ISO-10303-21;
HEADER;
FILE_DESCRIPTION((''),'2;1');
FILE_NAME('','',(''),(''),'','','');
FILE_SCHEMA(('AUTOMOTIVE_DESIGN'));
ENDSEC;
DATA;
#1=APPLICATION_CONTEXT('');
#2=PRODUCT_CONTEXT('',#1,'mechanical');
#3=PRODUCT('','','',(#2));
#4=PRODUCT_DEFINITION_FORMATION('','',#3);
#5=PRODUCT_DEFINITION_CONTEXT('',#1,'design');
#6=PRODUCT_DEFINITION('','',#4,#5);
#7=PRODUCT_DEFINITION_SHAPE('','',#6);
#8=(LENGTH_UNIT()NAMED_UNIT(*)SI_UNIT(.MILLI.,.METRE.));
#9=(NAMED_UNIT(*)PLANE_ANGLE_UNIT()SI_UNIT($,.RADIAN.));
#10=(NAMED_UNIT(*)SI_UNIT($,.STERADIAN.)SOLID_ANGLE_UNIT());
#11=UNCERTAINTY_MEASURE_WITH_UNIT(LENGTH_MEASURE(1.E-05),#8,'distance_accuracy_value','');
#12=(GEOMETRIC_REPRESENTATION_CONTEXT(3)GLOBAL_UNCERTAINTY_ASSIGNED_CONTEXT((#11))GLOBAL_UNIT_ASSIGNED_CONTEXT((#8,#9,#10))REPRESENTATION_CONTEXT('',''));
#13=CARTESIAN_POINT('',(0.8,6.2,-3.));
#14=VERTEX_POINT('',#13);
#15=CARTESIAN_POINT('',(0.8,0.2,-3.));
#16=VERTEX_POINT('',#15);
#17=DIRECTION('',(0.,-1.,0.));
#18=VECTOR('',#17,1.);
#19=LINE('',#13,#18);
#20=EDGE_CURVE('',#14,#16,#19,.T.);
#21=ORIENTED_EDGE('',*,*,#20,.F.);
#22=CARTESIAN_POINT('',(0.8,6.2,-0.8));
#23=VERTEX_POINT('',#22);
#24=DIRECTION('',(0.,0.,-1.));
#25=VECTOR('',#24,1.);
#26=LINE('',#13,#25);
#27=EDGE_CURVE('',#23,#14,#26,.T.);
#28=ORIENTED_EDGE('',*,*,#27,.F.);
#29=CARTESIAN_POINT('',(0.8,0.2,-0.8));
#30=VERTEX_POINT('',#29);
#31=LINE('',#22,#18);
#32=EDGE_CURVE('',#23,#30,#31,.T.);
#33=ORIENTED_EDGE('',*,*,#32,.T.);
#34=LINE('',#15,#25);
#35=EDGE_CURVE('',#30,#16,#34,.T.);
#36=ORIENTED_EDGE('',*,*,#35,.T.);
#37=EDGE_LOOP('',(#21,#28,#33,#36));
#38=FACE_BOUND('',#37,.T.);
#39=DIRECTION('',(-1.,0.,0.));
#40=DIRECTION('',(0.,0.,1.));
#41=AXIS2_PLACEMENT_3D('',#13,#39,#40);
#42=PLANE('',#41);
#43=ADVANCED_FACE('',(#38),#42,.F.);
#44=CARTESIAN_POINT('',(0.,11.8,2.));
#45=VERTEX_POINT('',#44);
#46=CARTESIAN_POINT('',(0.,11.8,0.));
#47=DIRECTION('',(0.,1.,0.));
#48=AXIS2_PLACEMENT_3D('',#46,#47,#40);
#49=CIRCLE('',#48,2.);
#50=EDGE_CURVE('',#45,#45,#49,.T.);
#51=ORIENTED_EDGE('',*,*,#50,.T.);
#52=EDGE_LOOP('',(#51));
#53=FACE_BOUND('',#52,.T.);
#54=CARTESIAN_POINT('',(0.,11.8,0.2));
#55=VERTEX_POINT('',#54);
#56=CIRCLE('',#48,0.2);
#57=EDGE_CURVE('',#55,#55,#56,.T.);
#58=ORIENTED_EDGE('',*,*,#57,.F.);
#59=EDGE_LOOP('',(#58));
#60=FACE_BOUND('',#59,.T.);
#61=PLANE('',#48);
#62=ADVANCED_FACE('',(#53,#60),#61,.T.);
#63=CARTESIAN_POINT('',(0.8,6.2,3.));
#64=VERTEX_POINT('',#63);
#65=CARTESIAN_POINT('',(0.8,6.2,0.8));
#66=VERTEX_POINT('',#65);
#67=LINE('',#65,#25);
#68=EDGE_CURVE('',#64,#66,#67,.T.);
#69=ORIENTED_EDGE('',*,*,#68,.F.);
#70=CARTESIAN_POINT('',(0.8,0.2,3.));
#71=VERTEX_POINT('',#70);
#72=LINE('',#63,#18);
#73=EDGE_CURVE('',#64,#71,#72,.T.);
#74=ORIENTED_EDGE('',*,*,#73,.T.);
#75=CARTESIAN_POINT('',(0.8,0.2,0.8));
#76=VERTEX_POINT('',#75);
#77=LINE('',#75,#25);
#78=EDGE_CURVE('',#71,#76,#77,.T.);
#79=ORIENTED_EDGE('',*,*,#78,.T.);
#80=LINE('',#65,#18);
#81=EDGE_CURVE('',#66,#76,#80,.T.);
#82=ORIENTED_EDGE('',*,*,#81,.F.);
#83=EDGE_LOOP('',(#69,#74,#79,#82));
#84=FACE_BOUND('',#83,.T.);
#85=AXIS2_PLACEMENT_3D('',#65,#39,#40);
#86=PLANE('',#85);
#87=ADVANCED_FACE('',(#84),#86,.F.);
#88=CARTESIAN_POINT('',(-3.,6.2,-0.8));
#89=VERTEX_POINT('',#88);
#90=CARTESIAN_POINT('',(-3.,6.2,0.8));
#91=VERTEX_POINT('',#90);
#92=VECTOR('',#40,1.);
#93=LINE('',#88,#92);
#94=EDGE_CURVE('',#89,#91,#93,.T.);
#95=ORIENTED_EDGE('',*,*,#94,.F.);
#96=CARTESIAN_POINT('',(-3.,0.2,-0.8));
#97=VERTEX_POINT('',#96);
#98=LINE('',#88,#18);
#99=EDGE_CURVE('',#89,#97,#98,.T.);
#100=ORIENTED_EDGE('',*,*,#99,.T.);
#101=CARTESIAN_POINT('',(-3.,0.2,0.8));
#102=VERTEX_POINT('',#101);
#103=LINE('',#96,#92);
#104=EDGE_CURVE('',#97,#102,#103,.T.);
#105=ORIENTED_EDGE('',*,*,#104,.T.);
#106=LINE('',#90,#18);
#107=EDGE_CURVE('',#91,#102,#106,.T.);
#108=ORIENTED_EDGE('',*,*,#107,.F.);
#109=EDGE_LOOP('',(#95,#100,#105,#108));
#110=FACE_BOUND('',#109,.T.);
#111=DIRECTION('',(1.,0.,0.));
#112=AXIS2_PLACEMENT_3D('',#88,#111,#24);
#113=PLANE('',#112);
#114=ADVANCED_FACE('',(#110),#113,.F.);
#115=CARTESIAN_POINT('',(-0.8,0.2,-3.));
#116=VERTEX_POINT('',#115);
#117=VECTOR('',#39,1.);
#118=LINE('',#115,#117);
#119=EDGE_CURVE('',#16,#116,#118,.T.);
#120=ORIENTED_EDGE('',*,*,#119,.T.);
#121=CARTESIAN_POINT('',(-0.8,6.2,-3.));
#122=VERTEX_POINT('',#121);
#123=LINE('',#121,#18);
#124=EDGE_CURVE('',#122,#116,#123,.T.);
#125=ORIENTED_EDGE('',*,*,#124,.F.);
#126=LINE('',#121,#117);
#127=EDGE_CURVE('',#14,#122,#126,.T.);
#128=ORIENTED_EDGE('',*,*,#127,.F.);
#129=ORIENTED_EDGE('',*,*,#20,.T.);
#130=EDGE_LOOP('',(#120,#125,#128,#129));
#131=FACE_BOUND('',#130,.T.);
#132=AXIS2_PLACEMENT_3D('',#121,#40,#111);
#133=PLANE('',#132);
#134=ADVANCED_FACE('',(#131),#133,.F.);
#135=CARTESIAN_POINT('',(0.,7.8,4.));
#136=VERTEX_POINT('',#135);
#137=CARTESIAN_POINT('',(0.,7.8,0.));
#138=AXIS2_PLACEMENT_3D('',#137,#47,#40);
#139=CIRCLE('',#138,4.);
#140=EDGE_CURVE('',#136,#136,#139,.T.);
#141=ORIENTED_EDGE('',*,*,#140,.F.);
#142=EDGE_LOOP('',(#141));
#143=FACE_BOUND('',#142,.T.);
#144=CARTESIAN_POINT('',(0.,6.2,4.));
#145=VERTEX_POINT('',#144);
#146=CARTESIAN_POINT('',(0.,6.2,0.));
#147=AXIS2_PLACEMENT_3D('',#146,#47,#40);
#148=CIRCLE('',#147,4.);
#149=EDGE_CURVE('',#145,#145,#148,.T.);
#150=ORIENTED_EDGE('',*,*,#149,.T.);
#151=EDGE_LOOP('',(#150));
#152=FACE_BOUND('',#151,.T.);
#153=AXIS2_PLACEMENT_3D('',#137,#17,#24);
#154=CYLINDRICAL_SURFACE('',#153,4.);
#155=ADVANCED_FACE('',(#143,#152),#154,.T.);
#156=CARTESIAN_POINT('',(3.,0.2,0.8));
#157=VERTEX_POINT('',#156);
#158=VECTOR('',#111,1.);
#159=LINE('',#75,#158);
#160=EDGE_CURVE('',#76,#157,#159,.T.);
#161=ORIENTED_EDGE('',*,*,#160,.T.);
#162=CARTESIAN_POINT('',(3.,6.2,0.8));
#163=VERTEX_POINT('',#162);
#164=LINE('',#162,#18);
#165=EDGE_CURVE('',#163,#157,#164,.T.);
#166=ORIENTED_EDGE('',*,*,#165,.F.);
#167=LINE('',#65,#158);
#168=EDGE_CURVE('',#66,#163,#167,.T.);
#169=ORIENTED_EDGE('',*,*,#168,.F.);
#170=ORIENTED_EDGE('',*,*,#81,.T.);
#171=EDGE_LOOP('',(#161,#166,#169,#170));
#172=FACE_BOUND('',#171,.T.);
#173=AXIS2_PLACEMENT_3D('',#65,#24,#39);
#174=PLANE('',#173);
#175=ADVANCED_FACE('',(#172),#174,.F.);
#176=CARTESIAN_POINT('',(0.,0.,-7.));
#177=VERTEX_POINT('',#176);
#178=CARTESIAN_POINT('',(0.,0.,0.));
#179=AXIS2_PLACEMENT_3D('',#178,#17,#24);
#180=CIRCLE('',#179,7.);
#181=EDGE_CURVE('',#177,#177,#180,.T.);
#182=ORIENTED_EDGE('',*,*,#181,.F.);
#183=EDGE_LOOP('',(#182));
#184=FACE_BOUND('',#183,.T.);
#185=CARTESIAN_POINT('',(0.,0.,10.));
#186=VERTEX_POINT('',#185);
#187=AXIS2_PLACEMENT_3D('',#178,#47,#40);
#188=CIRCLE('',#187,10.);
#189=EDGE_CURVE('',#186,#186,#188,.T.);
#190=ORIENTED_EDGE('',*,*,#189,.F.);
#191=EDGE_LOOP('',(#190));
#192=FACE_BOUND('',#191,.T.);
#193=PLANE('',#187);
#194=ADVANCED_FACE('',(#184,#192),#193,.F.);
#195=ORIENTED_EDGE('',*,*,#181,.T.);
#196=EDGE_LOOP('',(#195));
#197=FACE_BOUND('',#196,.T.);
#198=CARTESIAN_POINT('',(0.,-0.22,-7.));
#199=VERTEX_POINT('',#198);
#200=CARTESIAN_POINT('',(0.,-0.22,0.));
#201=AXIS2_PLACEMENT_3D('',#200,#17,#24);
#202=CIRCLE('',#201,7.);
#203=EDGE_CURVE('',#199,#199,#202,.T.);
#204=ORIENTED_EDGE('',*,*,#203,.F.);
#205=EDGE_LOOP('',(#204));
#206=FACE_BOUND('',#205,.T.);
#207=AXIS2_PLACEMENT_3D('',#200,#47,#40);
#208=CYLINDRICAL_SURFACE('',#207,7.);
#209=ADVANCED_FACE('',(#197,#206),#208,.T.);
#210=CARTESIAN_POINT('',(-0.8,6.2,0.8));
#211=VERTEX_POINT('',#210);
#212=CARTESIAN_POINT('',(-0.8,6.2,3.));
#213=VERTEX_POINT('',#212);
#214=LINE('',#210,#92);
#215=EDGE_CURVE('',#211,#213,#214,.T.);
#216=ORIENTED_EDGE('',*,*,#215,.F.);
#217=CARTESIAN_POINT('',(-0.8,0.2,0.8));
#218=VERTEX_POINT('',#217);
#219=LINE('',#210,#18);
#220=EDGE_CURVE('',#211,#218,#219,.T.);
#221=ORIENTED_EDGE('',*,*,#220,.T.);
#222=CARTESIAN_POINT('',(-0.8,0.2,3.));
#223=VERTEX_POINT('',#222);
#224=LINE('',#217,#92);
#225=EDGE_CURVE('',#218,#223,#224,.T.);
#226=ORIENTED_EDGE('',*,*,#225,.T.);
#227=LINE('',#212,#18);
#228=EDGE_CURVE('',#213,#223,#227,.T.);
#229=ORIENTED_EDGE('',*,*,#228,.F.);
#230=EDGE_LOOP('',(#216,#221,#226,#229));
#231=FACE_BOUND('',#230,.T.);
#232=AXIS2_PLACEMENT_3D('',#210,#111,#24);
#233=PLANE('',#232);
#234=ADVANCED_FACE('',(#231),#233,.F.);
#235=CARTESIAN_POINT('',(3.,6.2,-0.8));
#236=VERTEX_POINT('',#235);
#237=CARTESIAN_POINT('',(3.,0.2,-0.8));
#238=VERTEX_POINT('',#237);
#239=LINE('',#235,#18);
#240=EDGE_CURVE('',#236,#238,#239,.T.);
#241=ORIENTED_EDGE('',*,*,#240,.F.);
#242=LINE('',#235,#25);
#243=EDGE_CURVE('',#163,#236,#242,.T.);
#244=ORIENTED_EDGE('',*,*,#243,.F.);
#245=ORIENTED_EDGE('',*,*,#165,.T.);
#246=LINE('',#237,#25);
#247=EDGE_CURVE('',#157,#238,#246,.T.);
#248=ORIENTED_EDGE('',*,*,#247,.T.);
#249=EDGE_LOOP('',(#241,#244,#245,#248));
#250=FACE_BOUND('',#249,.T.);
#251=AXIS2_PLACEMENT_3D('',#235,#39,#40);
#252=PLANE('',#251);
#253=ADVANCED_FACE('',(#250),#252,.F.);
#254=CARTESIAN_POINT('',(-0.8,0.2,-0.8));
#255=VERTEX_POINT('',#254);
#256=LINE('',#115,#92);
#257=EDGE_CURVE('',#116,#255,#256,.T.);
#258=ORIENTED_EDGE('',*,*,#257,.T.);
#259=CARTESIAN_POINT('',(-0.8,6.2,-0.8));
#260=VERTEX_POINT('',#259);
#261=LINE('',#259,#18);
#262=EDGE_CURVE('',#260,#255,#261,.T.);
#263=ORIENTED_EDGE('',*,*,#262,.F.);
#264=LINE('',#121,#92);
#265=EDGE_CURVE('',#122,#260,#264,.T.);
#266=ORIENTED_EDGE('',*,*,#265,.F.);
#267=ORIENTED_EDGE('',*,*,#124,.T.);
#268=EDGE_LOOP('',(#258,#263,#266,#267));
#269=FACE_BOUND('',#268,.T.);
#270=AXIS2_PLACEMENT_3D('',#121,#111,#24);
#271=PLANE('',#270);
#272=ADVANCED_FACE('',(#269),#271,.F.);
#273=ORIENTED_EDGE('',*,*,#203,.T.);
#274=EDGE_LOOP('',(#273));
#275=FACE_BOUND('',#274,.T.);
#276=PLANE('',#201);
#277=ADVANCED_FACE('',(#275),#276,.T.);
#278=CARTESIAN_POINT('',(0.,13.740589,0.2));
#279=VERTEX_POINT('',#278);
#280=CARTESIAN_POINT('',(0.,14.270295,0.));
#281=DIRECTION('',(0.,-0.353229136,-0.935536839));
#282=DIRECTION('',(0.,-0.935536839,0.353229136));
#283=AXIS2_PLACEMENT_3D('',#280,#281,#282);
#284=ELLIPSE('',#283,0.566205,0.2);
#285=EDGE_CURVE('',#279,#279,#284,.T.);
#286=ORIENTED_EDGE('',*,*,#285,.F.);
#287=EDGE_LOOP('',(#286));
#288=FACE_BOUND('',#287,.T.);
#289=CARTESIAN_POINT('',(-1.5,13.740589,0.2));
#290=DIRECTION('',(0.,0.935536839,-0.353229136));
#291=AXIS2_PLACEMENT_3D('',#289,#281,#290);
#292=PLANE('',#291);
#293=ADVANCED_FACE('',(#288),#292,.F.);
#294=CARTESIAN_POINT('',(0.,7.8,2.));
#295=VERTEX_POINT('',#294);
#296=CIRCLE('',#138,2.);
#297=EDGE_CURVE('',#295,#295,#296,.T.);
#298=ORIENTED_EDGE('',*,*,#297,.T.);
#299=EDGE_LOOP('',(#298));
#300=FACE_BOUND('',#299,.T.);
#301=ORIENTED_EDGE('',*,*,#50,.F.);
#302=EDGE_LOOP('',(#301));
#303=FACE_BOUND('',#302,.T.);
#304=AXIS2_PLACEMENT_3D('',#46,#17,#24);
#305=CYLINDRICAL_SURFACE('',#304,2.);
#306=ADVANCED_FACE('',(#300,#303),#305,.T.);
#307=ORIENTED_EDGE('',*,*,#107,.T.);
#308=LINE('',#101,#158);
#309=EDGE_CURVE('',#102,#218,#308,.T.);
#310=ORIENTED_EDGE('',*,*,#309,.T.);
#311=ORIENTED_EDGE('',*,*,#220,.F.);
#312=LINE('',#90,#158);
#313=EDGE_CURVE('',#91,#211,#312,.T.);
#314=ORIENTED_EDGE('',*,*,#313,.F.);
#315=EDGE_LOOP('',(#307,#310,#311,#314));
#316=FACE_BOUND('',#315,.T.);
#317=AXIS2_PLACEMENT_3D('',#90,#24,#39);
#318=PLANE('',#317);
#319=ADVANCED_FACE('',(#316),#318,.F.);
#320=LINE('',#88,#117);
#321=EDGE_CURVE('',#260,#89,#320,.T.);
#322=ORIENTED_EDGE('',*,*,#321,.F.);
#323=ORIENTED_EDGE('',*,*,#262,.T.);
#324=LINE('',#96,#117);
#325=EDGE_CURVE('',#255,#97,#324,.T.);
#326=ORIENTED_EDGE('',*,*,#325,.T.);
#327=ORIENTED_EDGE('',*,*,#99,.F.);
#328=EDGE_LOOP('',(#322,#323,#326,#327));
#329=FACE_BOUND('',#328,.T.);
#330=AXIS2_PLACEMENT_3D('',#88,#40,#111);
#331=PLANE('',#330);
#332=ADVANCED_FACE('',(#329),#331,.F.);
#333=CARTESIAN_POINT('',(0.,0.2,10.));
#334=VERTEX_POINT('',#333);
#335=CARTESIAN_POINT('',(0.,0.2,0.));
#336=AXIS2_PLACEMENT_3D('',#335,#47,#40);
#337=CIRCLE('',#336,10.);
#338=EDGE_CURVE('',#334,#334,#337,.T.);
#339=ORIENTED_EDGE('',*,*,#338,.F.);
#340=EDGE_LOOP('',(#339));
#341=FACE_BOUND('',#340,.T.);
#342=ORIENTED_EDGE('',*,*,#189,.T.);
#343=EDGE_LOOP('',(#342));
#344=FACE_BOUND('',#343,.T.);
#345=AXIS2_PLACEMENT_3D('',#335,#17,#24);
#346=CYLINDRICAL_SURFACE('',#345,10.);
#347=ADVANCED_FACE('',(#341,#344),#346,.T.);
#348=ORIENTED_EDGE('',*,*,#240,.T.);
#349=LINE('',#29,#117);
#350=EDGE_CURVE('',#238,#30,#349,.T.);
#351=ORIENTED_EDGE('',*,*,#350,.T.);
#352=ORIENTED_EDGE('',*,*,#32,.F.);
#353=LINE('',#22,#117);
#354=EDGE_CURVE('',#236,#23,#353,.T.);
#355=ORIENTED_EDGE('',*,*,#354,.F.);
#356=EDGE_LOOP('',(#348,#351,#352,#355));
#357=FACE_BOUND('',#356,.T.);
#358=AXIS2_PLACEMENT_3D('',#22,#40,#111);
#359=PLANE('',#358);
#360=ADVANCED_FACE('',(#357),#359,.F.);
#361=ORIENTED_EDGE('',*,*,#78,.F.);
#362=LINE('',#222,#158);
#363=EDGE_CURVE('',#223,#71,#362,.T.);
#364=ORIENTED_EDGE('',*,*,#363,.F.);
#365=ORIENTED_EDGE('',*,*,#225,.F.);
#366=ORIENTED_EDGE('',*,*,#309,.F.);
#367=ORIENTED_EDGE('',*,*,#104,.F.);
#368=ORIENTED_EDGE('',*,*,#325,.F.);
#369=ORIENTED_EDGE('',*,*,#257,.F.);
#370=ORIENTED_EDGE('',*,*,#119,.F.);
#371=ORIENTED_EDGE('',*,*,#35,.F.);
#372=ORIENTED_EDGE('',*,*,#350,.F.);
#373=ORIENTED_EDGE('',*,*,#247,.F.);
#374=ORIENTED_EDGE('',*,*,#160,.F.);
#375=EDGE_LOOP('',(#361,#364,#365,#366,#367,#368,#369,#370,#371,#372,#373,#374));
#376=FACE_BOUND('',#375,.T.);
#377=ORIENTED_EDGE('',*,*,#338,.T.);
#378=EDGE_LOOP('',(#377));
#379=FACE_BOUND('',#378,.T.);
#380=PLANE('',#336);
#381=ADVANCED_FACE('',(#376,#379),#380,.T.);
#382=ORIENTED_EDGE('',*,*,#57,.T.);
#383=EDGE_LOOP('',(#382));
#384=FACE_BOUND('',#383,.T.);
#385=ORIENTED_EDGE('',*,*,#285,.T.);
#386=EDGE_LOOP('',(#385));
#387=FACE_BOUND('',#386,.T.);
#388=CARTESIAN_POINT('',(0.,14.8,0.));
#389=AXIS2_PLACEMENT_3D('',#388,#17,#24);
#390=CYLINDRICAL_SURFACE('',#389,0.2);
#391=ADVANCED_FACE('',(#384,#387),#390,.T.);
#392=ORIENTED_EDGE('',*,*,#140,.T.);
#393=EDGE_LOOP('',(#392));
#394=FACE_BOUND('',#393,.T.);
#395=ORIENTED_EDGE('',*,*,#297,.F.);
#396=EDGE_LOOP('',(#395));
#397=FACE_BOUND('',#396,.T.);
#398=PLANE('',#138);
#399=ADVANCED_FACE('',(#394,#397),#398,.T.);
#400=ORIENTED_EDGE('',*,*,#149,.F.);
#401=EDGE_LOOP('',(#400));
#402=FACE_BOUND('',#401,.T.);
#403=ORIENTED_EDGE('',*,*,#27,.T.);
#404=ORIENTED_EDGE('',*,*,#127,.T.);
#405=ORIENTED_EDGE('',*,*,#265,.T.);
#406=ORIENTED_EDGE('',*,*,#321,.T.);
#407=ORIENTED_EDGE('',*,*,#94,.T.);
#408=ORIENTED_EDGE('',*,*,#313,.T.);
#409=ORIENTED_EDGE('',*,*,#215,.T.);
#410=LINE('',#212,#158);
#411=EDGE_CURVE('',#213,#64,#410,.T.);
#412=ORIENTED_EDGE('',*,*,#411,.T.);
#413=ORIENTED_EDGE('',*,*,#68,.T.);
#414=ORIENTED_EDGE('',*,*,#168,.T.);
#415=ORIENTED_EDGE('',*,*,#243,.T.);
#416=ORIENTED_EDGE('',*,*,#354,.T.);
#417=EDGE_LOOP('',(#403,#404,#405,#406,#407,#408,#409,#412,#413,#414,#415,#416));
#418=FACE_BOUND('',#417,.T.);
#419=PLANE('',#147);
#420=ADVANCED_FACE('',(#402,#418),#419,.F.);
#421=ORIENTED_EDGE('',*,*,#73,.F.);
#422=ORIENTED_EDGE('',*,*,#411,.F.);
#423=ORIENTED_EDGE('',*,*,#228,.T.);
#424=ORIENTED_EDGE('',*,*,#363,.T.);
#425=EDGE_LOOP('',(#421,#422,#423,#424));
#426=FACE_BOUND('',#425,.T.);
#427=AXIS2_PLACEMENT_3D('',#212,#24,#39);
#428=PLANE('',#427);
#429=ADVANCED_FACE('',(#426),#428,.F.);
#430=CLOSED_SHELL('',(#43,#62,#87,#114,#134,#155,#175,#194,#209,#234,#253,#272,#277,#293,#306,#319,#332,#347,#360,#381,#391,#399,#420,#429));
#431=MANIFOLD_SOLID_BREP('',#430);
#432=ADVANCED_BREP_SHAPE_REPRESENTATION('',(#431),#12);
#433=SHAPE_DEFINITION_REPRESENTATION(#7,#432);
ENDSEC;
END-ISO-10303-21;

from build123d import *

# Parameters (mm, degrees)
SKETCH_1_R          = 10
EXTRUDE_1_DEPTH     = 0.2
EXTRUDE_2_DEPTH     = 6
SKETCH_3_R          = 4
EXTRUDE_3_DEPTH     = 1.6
SKETCH_4_R          = 7
EXTRUDE_4_DEPTH     = 0.22
SKETCH_5_R          = 2
EXTRUDE_5_DEPTH     = 4
SKETCH_6_R          = 0.2
EXTRUDE_6_DEPTH     = 3
CUT_EXTRUDE_1_DEPTH = 1.5


with BuildPart() as part:
    # 草图1 → 凸台-拉伸1 (new body)
    with BuildSketch(Plane(origin=(0, 0, 0), x_dir=(1, 0, 0), z_dir=(0, 1, 0))):
        with Locations(Location((0, 0, 0), (0, 0, 270))):
            Circle(SKETCH_1_R)
    extrude(amount=EXTRUDE_1_DEPTH)

    # 草图2 → 凸台-拉伸2 (add)
    with BuildSketch(Plane(origin=(0, 0.2, 0), x_dir=(1, 0, 0), z_dir=(0, 1, 0))):
        Polygon((-0.8, 3), (0.8, 3), (0.8, 0.8), (3, 0.8), (3, -0.8), (0.8, -0.8), (0.8, -3), (-0.8, -3), (-0.8, -0.8), (-3, -0.8), (-3, 0.8), (-0.8, 0.8), align=None)
    extrude(amount=EXTRUDE_2_DEPTH)

    # 草图3 → 凸台-拉伸3 (add)
    with BuildSketch(Plane(origin=(0, 6.2, 0), x_dir=(1, 0, 0), z_dir=(0, 1, 0))):
        with Locations(Location((0, 0, 0), (0, 0, 270))):
            Circle(SKETCH_3_R)
    extrude(amount=EXTRUDE_3_DEPTH)

    # 草图4 → 凸台-拉伸4 (add)
    with BuildSketch(Plane(origin=(0, 0, 0), x_dir=(-1, 0, 0), z_dir=(0, -1, 0))):
        with Locations(Location((0, 0, 0), (0, 0, 90))):
            Circle(SKETCH_4_R)
    extrude(amount=EXTRUDE_4_DEPTH)

    # 草图5 → 凸台-拉伸5 (add)
    with BuildSketch(Plane(origin=(0, 7.8, 0), x_dir=(1, 0, 0), z_dir=(0, 1, 0))):
        with Locations(Location((0, 0, 0), (0, 0, 270))):
            Circle(SKETCH_5_R)
    extrude(amount=EXTRUDE_5_DEPTH)

    # 草图6 → 凸台-拉伸6 (add)
    with BuildSketch(Plane(origin=(0, 11.8, 0), x_dir=(1, 0, 0), z_dir=(0, 1, 0))):
        with Locations(Location((0, 0, 0), (0, 0, 270))):
            Circle(SKETCH_6_R)
    extrude(amount=EXTRUDE_6_DEPTH)

    # 草图7 → 切除-拉伸1 (cut, symmetric)
    with BuildSketch(Plane(origin=(0, 0, 0), x_dir=(0, 0, -1), z_dir=(1, 0, 0))):
        Polygon((0.2, 14.8), (-0.2, 14.8), (-0.2, 13.740589274), align=None)
    extrude(amount=CUT_EXTRUDE_1_DEPTH, both=True, mode=Mode.SUBTRACT)


solid = part.part
